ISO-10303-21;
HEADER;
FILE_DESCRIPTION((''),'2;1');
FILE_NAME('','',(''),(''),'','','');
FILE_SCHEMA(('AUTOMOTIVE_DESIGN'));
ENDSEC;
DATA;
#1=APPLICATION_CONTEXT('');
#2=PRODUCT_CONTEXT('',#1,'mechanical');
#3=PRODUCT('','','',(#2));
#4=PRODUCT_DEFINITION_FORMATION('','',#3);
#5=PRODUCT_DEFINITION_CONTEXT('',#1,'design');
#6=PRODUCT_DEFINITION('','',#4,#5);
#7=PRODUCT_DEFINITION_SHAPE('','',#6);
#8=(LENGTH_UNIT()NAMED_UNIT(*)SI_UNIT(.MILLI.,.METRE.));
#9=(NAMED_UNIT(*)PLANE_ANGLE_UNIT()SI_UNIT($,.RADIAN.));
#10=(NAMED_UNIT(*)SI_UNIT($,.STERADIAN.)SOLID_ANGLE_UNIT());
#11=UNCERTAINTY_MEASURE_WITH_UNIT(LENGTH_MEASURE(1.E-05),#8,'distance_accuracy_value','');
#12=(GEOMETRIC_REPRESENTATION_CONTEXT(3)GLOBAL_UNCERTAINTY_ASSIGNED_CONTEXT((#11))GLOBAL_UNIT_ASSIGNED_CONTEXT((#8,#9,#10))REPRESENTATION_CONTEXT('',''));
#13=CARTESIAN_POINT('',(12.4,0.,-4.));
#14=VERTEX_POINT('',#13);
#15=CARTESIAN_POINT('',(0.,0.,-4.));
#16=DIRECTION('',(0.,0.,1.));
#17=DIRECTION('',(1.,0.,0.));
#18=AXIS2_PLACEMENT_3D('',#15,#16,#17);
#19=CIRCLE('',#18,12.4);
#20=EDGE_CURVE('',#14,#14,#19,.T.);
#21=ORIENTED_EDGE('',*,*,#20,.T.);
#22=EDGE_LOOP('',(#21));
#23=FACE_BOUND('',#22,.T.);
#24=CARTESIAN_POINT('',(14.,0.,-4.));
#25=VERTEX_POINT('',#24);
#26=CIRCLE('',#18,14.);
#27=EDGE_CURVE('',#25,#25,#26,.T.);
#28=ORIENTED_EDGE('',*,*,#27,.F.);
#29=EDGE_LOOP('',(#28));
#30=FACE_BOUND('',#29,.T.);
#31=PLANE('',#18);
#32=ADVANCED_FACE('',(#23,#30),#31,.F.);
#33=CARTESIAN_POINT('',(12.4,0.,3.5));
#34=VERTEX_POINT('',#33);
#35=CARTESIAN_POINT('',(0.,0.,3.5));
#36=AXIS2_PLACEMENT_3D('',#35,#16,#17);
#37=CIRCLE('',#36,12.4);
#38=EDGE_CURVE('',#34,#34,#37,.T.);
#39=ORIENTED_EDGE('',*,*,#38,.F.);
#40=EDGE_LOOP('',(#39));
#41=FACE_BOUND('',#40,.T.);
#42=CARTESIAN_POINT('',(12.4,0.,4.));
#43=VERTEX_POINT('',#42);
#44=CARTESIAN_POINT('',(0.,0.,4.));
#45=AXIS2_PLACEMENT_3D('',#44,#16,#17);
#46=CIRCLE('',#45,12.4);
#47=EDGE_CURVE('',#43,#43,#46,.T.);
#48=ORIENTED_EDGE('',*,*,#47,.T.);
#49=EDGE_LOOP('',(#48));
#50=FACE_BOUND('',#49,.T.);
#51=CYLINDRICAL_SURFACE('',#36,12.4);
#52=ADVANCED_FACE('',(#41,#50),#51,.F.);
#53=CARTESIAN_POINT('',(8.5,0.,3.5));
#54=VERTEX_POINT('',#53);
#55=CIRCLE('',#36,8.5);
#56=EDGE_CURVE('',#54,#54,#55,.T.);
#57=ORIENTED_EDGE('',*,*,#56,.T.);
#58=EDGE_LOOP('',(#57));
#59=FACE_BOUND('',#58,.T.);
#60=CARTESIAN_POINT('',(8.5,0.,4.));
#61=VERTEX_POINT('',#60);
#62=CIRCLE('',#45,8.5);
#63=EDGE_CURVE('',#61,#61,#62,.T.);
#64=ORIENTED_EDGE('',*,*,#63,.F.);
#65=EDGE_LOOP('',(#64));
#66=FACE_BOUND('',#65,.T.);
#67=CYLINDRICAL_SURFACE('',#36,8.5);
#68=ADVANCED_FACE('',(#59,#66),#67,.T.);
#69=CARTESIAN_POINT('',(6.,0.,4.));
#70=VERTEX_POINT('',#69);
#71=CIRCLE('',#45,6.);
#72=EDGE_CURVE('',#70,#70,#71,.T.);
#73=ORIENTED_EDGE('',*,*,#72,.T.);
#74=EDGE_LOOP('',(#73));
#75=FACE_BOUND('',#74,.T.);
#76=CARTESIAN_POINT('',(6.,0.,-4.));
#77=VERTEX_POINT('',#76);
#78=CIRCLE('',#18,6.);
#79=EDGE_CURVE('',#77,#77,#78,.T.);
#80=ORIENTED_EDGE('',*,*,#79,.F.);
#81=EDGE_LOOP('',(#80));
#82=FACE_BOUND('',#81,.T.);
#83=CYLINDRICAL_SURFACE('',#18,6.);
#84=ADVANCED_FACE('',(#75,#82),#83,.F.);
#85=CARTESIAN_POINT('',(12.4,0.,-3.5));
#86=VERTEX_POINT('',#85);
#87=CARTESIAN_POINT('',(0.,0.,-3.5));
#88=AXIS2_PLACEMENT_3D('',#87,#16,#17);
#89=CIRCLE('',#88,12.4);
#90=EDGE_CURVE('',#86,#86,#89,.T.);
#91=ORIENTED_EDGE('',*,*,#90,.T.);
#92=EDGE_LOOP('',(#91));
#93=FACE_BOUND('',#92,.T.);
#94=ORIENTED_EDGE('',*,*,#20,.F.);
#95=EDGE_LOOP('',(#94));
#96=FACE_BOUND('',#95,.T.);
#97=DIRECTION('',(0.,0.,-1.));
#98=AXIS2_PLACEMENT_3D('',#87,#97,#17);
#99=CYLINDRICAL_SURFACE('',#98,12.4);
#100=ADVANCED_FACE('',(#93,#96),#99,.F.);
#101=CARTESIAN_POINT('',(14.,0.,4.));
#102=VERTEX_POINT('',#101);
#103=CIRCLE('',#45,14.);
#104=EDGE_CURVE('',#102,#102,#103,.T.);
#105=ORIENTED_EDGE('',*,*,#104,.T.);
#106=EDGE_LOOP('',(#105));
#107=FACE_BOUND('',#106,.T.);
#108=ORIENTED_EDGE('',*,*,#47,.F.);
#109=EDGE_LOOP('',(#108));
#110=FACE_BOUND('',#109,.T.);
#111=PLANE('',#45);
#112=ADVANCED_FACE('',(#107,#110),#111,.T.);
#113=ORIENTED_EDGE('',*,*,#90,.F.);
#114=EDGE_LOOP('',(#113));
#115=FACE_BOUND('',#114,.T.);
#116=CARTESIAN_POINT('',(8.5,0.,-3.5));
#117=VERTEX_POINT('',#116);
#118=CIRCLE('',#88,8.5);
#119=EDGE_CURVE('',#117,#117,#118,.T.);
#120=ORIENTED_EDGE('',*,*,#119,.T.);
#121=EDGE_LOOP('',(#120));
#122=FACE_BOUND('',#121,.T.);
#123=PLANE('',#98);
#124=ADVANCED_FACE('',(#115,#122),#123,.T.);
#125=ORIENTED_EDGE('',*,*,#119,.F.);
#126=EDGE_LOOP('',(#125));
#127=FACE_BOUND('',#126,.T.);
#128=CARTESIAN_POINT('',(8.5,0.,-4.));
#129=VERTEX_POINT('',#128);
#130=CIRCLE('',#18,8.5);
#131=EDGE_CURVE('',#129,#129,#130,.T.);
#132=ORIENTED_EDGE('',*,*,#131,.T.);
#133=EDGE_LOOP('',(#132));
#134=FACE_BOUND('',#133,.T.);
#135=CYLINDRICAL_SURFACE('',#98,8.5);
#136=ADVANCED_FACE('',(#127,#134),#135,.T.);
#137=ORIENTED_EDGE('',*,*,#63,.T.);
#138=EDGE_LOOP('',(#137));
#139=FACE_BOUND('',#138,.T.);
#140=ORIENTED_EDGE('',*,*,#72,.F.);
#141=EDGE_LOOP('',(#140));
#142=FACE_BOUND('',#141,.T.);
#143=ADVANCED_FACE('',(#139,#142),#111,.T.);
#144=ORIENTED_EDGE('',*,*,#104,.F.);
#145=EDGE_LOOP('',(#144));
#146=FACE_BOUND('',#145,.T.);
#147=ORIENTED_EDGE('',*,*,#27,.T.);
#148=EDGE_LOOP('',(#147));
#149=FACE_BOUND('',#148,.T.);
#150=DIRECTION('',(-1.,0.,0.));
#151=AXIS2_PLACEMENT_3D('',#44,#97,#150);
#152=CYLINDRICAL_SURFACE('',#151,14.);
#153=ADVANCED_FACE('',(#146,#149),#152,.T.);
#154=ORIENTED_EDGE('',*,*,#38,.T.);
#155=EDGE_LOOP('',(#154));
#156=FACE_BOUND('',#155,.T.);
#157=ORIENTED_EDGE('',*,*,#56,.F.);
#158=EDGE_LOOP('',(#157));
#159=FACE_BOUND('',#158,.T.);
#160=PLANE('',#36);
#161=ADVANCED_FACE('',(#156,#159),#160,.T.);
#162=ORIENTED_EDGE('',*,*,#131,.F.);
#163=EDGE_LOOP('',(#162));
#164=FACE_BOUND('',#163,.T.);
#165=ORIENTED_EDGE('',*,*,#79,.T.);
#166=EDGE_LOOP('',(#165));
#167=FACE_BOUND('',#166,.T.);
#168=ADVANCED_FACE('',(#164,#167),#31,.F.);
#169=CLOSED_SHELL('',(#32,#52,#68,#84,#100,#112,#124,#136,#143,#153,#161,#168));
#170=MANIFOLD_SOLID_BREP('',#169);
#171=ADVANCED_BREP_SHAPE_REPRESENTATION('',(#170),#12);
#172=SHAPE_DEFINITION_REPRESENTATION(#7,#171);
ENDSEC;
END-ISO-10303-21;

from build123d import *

# Parameters (mm, degrees)
SKETCH_1_R          = 14
EXTRUDE_1_DEPTH     = 4
SKETCH_2_R          = 6
CUT_EXTRUDE_1_DEPTH = 9
SKETCH_3_R          = 12.4
SKETCH_3_R_2        = 8.5
CUT_EXTRUDE_2_DEPTH = 0.5


with BuildPart() as part:
    # 草圖1 → 填料-伸長1 (new body, symmetric)
    with BuildSketch(Plane.XY):
        Circle(SKETCH_1_R)
    extrude(amount=EXTRUDE_1_DEPTH, both=True)

    # 草圖2 → 除料-伸長1 (cut, through all)
    with BuildSketch(Plane.XY.offset(4)):
        Circle(SKETCH_2_R)
    extrude(amount=-CUT_EXTRUDE_1_DEPTH, mode=Mode.SUBTRACT)

    # 草圖3 → 除料-伸長2 (cut)
    with BuildSketch(Plane.XY.offset(4)):
        Circle(SKETCH_3_R)
        Circle(SKETCH_3_R_2, mode=Mode.SUBTRACT)
    cut_extrude_2 = extrude(amount=-CUT_EXTRUDE_2_DEPTH, mode=Mode.SUBTRACT)

    # 鏡射1: 除料-伸長2 across plane
    add(cut_extrude_2.mirror(Plane.XY), mode=Mode.SUBTRACT)


solid = part.part
